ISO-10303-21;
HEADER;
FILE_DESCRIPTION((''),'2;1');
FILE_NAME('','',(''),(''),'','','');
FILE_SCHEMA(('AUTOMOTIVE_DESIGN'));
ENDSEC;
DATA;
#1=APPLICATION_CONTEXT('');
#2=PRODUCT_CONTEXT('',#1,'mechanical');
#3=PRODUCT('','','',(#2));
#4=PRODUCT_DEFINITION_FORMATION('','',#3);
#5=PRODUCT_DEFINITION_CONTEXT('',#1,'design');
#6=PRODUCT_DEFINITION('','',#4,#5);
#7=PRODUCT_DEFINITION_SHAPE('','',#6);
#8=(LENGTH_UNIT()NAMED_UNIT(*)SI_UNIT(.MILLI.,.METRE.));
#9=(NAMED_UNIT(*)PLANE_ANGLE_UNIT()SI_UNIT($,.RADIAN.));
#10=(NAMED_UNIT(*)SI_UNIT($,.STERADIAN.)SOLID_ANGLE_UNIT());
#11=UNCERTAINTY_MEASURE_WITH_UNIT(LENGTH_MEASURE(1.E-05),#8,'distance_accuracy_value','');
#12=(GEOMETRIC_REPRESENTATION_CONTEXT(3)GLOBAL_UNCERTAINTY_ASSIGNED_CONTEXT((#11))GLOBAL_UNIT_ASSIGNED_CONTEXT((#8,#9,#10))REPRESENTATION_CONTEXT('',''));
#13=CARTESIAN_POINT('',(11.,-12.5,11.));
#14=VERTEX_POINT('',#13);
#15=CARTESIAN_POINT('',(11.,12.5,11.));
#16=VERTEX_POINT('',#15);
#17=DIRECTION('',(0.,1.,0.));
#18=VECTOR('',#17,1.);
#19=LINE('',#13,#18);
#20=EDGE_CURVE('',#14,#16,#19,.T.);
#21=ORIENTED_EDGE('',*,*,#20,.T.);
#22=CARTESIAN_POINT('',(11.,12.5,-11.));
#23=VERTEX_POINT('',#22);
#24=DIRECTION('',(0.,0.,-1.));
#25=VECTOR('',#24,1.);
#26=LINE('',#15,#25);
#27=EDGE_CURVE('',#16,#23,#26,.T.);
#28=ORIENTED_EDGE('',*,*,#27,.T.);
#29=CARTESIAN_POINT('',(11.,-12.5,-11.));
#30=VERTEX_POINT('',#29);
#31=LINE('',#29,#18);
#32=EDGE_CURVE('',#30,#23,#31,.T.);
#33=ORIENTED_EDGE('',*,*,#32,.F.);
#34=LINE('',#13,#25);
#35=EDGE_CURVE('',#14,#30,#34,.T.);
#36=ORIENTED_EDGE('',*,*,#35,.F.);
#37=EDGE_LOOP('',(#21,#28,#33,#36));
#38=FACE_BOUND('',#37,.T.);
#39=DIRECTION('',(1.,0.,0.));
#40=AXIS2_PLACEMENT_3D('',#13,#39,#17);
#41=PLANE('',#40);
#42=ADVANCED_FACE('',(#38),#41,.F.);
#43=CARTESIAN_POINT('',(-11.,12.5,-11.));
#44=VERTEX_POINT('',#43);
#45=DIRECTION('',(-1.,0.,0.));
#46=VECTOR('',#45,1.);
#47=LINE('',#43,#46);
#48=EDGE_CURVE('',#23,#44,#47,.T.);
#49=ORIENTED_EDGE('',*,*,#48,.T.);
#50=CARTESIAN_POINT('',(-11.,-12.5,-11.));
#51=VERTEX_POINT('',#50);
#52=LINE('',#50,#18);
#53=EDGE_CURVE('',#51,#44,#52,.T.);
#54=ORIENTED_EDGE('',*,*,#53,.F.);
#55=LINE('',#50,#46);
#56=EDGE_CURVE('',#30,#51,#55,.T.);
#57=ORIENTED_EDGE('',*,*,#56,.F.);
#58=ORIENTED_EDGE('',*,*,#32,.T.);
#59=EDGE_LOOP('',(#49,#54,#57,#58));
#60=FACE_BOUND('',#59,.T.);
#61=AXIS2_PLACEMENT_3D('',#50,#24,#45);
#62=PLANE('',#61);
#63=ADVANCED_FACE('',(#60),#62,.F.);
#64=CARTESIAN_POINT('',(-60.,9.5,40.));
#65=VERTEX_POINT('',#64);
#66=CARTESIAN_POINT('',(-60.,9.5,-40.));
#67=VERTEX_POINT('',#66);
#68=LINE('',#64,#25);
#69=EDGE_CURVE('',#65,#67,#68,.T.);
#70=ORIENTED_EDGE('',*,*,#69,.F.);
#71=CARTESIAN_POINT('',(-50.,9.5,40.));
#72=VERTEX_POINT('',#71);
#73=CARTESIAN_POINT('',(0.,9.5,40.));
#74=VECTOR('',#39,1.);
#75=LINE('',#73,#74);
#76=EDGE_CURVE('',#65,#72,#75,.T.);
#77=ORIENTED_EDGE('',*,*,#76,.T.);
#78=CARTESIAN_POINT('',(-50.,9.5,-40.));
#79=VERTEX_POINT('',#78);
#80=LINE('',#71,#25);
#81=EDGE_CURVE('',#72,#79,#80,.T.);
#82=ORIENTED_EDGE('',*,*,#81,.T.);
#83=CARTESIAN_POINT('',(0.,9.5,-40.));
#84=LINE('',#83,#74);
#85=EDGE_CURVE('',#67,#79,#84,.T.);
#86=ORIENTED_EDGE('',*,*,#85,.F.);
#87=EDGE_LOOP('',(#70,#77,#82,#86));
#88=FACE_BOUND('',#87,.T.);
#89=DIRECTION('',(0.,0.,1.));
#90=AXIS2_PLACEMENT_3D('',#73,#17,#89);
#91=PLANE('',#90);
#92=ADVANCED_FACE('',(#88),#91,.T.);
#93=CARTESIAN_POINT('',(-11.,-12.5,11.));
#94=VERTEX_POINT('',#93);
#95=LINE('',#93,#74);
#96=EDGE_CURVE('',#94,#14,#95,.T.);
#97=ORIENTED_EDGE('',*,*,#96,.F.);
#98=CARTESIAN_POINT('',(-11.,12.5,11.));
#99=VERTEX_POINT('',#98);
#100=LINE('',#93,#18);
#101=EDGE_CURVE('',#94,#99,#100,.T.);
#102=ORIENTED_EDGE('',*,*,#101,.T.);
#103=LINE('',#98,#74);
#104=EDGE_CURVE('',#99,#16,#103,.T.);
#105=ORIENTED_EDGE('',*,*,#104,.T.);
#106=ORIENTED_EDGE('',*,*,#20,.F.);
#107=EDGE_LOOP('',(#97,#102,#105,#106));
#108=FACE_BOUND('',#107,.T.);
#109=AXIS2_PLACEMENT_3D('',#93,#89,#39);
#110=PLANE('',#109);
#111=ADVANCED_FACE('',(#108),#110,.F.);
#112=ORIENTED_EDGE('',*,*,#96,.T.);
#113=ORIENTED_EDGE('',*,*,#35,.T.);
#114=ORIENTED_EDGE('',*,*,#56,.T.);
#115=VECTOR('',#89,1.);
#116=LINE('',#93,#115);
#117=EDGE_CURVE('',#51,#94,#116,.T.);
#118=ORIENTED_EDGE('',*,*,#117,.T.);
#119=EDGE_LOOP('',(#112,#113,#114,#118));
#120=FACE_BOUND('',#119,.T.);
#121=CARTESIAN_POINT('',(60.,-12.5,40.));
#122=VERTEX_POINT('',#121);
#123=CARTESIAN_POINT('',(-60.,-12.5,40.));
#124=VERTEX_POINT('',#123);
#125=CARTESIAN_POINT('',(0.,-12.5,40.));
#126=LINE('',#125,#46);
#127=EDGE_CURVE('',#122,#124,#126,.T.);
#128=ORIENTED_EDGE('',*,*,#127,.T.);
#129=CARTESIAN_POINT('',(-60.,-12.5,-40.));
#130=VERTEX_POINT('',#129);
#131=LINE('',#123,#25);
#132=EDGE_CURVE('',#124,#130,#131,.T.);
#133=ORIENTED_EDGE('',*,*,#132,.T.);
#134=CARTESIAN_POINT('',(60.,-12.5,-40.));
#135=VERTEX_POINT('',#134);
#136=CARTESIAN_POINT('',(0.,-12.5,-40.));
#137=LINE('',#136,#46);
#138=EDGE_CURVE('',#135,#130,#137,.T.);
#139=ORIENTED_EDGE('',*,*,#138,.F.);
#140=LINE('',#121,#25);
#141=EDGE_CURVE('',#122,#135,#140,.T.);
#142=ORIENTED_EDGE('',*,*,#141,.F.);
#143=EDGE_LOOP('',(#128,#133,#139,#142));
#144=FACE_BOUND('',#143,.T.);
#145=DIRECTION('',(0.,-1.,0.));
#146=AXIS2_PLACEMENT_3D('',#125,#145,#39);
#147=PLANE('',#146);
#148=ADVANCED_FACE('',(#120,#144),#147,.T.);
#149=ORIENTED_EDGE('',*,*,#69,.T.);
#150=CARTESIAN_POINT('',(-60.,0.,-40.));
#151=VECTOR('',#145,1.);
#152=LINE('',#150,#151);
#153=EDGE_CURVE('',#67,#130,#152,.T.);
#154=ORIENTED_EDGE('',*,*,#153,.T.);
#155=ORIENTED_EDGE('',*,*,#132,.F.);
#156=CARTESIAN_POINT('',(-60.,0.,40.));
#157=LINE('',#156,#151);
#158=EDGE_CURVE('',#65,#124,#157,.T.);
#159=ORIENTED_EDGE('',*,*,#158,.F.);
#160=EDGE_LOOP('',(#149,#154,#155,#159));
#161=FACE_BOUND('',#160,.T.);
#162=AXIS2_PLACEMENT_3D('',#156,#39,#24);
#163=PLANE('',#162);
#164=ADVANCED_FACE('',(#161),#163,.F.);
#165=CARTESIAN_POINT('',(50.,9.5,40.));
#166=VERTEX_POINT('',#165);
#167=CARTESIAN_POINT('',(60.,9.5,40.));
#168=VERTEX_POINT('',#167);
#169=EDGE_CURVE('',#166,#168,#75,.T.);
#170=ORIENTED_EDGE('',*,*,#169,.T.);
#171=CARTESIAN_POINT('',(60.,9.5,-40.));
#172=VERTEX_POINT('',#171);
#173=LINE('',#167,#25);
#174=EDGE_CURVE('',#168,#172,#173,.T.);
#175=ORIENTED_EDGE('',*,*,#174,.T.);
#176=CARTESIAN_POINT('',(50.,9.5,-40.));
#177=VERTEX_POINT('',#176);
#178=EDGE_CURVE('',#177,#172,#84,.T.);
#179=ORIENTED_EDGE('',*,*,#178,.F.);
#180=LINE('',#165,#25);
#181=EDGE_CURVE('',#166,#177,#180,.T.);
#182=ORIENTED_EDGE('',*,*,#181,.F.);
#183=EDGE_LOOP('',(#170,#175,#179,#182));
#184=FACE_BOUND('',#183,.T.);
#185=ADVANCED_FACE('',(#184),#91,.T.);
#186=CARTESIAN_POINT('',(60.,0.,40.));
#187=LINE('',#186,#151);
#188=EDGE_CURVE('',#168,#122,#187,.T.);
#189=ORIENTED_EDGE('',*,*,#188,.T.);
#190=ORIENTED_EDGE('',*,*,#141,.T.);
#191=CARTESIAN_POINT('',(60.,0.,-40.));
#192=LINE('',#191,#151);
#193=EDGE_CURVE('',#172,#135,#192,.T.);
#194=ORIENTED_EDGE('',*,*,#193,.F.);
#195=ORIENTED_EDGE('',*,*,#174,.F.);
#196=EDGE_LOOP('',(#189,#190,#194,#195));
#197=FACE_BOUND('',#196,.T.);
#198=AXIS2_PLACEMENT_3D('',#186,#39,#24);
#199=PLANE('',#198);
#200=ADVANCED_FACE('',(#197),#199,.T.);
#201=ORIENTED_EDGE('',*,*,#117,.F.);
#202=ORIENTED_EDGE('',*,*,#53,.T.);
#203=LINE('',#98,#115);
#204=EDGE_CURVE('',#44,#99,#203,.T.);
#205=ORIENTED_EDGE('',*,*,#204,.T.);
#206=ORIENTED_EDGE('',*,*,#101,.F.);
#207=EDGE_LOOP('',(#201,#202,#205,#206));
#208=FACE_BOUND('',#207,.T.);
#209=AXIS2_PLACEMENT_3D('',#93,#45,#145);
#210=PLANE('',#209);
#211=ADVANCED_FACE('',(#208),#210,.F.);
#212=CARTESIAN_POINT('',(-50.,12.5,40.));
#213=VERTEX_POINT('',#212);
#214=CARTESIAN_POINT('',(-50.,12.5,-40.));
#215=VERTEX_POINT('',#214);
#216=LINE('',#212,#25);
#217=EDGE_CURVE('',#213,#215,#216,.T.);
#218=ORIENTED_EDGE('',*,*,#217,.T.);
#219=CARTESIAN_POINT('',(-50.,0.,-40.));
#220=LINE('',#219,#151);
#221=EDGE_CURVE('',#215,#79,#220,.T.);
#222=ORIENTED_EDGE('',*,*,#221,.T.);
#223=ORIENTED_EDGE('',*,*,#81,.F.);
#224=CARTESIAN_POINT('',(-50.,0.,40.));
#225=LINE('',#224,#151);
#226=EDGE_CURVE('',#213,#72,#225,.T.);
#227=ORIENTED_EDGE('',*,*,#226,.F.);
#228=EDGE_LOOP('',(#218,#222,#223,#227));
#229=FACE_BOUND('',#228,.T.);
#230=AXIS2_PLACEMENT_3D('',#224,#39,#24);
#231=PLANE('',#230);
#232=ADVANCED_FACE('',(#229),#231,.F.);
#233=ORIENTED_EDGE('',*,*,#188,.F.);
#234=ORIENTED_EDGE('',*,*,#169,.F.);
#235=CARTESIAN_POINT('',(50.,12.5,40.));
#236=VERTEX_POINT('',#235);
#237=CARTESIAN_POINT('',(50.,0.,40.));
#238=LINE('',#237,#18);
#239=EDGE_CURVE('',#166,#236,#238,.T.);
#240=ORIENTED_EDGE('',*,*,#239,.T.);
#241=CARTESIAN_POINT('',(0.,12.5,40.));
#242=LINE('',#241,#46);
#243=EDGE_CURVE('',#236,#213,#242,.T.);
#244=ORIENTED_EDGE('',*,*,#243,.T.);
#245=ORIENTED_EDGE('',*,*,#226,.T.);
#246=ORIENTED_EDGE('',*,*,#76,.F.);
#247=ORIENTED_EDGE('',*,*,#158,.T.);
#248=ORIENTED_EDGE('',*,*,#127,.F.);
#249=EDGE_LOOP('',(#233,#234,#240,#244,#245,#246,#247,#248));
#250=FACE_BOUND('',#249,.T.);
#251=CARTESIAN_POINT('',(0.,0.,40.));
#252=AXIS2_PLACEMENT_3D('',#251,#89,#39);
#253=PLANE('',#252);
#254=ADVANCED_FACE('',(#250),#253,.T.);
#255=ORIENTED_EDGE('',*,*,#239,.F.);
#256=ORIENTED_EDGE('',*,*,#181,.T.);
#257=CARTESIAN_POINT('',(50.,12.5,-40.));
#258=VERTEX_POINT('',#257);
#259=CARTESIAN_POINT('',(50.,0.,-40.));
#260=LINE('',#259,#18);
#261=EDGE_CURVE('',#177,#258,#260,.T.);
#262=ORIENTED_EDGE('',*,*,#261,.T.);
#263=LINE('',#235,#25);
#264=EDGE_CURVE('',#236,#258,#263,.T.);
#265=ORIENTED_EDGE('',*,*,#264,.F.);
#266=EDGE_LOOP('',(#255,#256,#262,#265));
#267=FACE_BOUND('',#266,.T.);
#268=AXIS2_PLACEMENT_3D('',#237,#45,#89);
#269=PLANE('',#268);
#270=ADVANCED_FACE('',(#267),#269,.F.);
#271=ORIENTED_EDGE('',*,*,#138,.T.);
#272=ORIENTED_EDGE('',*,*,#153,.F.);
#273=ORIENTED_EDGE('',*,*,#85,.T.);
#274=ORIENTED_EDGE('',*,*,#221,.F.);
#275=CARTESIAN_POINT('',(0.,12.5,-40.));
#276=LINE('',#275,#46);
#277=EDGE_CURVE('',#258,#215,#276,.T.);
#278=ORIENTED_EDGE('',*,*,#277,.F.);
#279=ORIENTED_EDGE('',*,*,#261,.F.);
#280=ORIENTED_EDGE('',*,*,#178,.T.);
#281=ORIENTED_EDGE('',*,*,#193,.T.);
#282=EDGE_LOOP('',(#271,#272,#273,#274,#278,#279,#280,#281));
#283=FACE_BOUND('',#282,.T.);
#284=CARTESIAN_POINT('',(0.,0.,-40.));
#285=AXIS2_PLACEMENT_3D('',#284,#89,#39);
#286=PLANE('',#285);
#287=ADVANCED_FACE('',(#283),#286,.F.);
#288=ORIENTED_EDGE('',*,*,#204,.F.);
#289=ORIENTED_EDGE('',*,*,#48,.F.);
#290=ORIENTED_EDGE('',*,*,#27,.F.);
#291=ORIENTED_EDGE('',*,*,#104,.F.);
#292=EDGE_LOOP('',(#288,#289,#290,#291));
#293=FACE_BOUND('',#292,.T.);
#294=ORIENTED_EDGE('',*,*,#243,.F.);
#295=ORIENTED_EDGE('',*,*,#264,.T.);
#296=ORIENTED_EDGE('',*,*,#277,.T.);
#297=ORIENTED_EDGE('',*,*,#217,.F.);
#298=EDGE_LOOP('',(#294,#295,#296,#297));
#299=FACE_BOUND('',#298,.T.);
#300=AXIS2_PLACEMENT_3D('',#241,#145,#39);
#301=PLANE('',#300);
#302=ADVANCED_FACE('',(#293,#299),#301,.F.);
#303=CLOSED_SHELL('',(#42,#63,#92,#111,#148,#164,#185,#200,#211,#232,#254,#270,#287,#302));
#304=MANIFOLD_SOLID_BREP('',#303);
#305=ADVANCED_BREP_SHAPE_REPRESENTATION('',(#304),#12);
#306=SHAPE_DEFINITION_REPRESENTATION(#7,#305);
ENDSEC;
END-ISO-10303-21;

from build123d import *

# Parameters (mm, degrees)
SKETCH1_W           = 100
SKETCH1_H           = 3
BOSS_EXTRUDE1_DEPTH = 40
SKETCH2_W           = 22
SKETCH2_H           = 22
CUT_EXTRUDE1_DEPTH  = 77.321687612


with BuildPart() as part:
    # Sketch1 → Boss-Extrude1 (new, symmetric)
    with BuildSketch(Plane.XY):
        Polygon((50, 9.5), (-50, 9.5), (-60, 9.5), (-60, -12.5), (60, -12.5), (60, 9.5), align=None)
        with Locations((0, 11)):
            Rectangle(SKETCH1_W, SKETCH1_H)
    extrude(amount=BOSS_EXTRUDE1_DEPTH, both=True)

    # Sketch2 → Cut-Extrude1 (cut, through all)
    with BuildSketch(Plane(origin=(0, 12.5, 0), x_dir=(1, 0, 0), z_dir=(0, 1, 0))):
        Rectangle(SKETCH2_W, SKETCH2_H)
    extrude(amount=-CUT_EXTRUDE1_DEPTH, mode=Mode.SUBTRACT)


solid = part.part
